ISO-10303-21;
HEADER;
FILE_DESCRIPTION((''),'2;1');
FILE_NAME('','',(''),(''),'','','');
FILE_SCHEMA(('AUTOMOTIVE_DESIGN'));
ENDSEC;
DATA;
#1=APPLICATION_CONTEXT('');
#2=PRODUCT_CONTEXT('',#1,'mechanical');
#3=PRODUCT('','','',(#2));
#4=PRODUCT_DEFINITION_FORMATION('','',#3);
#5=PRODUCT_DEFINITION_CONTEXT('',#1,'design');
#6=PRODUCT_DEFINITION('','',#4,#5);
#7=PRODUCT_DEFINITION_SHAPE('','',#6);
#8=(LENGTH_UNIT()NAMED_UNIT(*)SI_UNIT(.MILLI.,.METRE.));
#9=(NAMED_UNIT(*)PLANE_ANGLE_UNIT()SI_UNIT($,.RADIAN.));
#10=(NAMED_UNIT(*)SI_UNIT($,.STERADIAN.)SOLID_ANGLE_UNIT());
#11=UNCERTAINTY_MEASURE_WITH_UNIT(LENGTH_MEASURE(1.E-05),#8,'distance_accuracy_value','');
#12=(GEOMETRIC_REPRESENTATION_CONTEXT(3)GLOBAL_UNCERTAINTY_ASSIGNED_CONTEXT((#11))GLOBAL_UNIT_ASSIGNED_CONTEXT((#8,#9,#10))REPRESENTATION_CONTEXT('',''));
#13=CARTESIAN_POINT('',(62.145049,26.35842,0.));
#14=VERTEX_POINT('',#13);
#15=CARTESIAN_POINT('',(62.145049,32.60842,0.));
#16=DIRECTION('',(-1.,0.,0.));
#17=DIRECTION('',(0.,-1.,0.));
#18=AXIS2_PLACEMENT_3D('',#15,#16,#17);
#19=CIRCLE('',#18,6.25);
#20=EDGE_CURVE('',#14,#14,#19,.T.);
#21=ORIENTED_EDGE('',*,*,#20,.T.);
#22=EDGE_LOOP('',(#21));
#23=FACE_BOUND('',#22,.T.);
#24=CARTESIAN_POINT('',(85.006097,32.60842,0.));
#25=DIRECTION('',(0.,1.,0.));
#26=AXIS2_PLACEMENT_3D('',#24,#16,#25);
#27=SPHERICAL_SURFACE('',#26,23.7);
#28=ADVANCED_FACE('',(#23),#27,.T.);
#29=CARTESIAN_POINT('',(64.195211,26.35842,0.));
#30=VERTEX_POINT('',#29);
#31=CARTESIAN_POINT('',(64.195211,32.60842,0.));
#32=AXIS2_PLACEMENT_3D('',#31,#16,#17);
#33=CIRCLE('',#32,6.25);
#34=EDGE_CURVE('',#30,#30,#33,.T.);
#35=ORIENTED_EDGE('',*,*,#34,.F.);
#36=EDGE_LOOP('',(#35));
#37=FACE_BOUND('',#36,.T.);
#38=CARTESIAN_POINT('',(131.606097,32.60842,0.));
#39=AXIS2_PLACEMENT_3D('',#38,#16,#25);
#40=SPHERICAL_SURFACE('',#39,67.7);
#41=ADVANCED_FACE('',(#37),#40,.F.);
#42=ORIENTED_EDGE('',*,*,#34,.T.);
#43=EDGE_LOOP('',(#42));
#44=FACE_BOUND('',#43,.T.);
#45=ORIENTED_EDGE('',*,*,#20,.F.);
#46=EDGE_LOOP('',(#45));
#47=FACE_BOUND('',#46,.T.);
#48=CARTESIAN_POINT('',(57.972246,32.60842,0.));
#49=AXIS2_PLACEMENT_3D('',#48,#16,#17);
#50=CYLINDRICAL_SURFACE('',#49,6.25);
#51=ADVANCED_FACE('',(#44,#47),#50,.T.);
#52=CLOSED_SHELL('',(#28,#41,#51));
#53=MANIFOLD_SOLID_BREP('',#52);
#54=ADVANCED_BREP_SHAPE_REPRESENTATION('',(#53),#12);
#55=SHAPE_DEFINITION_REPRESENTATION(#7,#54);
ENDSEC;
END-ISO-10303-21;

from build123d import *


with BuildPart() as part:
    # 草图1 → 旋转1 (revolve)
    with BuildSketch(Plane.XY):
        with BuildLine():
            Line((64.195211122, 38.858420235), (62.145049084, 38.858420235))
            ThreePointArc((62.145049084, 38.858420235), (61.516771193, 35.761448186), (61.306096742, 32.608420235))
            Line((61.306096742, 32.608420235), (63.906096742, 32.608420235))
            ThreePointArc((63.906096742, 32.608420235), (63.978413961, 35.736761934), (64.195211122, 38.858420235))
        make_face()
    revolve(axis=Axis((57.972245649, 32.608420235, 0), (1, 0, 0)))


solid = part.part
